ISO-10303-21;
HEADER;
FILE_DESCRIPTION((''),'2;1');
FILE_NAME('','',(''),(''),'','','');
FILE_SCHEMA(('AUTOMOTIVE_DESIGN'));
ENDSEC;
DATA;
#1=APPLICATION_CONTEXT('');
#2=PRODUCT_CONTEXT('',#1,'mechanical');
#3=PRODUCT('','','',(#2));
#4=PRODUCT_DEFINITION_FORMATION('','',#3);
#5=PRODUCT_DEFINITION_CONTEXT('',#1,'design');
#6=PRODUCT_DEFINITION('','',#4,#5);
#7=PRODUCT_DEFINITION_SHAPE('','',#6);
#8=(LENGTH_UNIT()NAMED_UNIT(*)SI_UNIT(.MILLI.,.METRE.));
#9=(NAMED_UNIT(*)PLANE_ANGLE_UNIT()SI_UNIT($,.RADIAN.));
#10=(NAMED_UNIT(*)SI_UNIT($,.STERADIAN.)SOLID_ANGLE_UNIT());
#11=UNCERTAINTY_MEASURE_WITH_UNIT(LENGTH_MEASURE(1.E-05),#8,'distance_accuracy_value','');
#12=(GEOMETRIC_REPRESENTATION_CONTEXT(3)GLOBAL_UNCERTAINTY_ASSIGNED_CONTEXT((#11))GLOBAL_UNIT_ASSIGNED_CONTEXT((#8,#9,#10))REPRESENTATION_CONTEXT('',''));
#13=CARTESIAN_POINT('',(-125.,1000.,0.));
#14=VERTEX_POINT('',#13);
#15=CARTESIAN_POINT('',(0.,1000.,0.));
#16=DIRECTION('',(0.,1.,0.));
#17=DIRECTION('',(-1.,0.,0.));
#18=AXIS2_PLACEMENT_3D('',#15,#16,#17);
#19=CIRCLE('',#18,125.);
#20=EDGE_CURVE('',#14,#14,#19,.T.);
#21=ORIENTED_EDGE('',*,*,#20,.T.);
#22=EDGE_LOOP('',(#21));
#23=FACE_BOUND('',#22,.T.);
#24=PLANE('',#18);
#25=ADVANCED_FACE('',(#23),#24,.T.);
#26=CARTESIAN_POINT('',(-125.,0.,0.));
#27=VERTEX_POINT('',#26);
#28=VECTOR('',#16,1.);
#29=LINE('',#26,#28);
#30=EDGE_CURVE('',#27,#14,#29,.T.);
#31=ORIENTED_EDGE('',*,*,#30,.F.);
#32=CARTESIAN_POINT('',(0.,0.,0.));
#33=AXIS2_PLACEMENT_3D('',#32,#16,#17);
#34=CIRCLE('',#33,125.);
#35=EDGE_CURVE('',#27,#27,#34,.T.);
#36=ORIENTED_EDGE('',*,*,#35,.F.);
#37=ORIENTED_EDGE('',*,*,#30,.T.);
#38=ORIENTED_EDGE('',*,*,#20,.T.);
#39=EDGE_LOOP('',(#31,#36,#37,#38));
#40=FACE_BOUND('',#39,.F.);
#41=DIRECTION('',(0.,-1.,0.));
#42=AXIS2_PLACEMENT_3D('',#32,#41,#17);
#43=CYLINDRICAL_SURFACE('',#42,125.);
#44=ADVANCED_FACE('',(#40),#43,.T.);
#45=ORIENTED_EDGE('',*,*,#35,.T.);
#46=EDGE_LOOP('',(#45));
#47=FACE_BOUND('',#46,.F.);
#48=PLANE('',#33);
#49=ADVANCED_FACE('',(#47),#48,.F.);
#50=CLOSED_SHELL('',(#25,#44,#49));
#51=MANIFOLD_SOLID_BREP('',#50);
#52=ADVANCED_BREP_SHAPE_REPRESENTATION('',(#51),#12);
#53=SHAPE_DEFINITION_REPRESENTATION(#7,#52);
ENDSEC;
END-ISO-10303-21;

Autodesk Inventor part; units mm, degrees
ref_plane "YZ Plane" through (0, 0, 0) normal (1, 0, 0) x (0, 1, 0)
ref_plane "XZ Plane" through (0, 0, 0) normal (0, 1, 0) x (-1, 0, 0)
ref_plane "XY Plane" through (0, 0, 0) normal (0, 0, 1) x (1, 0, 0)
sketch "Boceto1" plane through (0, 0, 0) normal (0, 1, 0) x (-1, 0, 0)
  circle A0 centre (0, 0) radius 125
  dimension "d0" = 250
extrude "Extrusión1" add sketch "Boceto1" along normal blind 1000
properties part number "Material"
